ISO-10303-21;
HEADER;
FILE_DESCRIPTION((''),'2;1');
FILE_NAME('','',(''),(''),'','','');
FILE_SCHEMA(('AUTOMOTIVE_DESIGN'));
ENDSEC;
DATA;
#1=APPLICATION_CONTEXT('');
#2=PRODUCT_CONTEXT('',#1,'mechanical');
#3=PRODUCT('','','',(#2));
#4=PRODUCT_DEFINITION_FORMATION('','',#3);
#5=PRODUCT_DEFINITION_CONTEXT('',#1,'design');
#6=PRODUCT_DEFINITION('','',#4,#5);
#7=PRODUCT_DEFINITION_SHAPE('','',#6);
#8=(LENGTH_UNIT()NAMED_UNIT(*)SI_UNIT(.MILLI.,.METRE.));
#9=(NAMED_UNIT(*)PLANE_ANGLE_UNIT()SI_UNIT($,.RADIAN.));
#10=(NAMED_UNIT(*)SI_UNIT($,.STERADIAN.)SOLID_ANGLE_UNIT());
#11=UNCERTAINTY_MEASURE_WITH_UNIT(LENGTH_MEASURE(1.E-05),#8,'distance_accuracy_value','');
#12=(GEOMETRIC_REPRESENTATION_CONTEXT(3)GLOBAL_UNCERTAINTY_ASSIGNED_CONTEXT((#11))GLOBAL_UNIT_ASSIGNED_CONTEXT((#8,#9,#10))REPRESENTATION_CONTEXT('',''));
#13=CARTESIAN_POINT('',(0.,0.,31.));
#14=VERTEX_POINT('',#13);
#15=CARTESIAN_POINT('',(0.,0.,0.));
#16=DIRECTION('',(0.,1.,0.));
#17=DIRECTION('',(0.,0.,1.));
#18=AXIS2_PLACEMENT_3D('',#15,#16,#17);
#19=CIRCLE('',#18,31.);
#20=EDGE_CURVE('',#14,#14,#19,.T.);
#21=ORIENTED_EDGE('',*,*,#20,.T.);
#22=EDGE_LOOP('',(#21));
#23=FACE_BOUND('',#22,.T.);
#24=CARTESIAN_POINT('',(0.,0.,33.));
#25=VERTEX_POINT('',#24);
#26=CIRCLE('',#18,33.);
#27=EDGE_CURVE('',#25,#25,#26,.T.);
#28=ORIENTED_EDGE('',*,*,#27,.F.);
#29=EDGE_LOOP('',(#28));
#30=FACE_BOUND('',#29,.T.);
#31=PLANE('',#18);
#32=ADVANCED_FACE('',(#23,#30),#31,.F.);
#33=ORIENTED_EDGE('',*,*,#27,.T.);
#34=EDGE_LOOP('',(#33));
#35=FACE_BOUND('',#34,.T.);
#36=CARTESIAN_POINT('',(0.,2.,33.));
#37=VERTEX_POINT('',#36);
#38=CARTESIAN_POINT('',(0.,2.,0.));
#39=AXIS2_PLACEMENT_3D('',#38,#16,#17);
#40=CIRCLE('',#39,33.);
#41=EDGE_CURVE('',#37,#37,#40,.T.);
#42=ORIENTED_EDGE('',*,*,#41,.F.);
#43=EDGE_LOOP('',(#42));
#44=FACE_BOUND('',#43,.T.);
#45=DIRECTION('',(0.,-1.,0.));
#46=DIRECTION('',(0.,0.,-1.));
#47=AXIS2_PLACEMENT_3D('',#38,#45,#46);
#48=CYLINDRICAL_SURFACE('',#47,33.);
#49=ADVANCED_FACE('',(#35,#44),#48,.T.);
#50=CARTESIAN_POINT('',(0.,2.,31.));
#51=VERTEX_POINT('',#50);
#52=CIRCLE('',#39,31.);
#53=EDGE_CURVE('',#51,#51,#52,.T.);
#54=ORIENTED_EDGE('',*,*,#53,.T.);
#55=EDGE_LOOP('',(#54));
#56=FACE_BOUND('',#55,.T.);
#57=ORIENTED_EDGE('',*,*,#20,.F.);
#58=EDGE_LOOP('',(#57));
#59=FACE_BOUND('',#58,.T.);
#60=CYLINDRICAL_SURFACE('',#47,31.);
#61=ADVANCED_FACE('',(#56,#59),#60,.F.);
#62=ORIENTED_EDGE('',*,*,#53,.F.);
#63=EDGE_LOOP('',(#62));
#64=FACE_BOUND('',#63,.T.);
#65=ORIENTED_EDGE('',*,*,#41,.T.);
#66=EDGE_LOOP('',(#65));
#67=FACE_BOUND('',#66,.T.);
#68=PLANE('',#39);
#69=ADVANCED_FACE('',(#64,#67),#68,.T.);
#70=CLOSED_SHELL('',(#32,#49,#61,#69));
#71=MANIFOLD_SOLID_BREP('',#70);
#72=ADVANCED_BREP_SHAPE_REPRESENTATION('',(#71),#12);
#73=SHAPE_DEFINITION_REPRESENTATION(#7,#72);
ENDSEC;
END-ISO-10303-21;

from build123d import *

# Parameters (mm, degrees)
SKETCH_1_R      = 33
SKETCH_1_R_2    = 31
EXTRUDE_1_DEPTH = 2


with BuildPart() as part:
    # Эскиз1 → Бобышка-Вытянуть1 (new body)
    with BuildSketch(Plane(origin=(0, 0, 0), x_dir=(1, 0, 0), z_dir=(0, 1, 0))):
        with Locations(Location((0, 0, 0), (0, 0, 270))):
            Circle(SKETCH_1_R)
        with Locations(Location((0, 0, 0), (0, 0, 270))):
            Circle(SKETCH_1_R_2, mode=Mode.SUBTRACT)
    extrude(amount=EXTRUDE_1_DEPTH)


solid = part.part
